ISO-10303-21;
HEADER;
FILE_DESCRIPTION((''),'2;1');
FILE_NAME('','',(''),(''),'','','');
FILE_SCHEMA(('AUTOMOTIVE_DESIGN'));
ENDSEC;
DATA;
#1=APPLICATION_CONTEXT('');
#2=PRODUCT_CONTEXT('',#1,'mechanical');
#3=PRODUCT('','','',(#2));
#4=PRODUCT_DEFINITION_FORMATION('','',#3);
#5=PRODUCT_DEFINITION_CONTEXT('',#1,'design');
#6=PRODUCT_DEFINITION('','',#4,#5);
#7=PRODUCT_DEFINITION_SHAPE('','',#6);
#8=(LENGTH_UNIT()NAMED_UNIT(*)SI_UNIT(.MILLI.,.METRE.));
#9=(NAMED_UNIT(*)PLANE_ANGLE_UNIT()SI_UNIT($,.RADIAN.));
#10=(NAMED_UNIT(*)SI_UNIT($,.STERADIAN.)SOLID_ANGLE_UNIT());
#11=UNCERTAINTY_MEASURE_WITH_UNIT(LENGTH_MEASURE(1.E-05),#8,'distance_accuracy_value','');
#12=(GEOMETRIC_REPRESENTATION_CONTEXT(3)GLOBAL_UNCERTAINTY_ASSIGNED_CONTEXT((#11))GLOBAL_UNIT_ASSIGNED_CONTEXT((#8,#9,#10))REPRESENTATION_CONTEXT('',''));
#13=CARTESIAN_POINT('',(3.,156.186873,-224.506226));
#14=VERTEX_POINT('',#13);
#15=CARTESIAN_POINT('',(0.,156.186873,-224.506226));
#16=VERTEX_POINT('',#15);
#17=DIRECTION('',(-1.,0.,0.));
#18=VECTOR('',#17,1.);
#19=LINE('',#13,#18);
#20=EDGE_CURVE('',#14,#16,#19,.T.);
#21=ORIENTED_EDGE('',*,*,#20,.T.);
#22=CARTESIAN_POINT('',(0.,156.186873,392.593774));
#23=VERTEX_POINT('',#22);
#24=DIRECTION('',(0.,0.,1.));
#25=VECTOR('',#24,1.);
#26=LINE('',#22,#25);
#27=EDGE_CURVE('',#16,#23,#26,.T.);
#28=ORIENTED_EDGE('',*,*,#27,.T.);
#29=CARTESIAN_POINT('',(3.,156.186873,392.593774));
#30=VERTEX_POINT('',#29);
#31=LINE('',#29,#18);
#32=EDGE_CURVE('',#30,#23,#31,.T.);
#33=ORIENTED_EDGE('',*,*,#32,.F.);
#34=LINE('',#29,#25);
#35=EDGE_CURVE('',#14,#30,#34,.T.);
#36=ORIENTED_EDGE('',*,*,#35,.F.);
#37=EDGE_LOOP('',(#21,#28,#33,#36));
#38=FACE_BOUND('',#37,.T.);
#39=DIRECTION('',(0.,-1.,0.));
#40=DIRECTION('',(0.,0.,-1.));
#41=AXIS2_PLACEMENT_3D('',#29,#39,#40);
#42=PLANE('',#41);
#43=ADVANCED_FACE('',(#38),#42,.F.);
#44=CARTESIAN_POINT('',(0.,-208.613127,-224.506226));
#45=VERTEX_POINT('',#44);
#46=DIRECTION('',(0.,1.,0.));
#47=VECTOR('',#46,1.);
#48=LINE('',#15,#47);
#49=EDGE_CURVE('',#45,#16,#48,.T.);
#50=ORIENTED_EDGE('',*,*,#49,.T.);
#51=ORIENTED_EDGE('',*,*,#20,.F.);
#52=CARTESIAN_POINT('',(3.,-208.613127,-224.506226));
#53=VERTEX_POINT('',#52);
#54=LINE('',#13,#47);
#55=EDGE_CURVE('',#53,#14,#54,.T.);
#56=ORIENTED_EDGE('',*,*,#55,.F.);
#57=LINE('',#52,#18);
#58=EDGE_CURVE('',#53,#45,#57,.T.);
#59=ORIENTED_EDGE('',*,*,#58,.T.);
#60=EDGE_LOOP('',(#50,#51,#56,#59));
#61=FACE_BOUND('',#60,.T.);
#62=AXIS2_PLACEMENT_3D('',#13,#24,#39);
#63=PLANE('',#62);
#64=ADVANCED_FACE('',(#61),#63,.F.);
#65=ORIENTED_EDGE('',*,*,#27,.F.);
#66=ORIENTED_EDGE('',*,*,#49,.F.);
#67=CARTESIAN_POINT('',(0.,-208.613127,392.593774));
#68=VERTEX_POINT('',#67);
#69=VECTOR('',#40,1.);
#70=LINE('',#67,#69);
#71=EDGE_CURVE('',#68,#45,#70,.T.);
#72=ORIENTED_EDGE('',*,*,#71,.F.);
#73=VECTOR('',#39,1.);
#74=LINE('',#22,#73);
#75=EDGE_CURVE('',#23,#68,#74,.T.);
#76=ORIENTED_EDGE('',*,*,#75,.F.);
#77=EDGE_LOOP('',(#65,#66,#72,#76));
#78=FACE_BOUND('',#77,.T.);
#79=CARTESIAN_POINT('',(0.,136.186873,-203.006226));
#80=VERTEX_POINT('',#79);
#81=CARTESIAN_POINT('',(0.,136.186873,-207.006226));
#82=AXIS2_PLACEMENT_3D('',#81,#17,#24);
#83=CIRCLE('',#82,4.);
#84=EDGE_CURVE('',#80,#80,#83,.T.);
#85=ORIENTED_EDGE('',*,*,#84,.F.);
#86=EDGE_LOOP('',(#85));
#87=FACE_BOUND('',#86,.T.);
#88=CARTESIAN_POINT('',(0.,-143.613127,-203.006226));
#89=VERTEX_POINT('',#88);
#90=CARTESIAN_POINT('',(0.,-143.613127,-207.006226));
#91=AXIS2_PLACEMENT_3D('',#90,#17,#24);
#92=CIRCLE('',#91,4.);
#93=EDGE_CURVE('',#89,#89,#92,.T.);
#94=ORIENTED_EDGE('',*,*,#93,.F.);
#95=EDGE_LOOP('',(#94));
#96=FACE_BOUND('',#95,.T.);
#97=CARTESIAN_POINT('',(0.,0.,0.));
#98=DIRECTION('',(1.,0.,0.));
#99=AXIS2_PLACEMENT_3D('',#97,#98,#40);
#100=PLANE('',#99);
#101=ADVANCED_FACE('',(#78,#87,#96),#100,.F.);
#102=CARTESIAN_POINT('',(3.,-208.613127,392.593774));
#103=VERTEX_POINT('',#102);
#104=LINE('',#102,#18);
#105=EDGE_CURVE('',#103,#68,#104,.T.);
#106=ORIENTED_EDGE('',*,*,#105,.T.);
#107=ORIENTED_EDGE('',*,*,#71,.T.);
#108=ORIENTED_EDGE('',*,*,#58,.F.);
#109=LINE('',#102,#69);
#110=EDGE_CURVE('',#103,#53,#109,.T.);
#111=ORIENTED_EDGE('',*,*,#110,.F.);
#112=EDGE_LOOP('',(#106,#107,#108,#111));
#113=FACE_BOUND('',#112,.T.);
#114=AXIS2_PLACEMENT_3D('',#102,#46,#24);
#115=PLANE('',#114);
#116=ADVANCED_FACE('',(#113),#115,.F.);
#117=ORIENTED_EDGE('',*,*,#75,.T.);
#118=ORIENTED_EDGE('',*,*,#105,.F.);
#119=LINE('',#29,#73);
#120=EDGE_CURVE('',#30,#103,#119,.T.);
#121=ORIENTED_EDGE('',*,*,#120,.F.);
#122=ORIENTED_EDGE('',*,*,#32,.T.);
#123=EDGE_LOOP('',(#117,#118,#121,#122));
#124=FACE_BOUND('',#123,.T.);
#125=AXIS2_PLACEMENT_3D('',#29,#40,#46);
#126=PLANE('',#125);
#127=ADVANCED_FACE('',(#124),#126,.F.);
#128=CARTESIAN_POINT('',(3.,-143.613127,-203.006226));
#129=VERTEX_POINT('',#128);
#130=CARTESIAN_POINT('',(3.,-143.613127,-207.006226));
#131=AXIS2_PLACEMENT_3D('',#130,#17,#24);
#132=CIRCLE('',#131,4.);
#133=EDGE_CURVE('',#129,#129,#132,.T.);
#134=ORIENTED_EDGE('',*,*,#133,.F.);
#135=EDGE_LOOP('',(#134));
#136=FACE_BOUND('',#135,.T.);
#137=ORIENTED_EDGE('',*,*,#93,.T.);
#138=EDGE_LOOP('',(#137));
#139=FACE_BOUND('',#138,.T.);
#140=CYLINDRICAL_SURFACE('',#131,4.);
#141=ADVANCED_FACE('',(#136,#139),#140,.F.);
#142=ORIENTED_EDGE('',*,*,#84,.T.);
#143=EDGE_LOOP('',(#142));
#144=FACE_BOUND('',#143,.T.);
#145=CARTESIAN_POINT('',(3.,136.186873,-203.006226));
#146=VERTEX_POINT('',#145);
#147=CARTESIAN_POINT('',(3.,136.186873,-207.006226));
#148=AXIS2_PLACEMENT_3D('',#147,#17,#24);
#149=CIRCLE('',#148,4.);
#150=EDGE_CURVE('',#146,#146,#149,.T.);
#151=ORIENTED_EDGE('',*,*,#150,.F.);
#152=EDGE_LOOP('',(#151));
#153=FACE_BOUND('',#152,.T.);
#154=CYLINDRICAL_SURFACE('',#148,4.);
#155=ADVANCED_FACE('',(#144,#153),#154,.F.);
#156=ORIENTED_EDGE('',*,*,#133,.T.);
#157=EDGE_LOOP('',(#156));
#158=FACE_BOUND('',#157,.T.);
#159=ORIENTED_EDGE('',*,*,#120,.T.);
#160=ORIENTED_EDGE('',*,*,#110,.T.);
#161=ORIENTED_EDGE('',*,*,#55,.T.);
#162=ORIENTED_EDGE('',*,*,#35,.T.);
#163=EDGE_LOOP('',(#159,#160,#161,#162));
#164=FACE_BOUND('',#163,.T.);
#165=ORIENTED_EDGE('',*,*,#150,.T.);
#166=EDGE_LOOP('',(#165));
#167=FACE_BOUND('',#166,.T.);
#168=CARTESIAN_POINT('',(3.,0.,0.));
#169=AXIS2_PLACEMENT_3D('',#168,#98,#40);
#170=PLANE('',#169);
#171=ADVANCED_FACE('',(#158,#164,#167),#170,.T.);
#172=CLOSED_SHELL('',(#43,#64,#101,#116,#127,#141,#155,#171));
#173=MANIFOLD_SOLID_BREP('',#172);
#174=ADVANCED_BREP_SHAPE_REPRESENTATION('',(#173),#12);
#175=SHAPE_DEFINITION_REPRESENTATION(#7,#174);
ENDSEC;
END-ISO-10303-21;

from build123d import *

# Parameters (mm, degrees)
SKETCH1_W           = 617.1
SKETCH1_H           = 364.8
BOSS_EXTRUDE1_DEPTH = 3
SKETCH2_R           = 4
CUT_EXTRUDE1_DEPTH  = 445.587795398


with BuildPart() as part:
    # Sketch1 → Boss-Extrude1 (new body)
    with BuildSketch(Plane(origin=(0, 0, 0), x_dir=(0, 0, -1), z_dir=(1, 0, 0))):
        with Locations((-84.043773624, -26.213126933)):
            Rectangle(SKETCH1_W, SKETCH1_H)
    extrude(amount=BOSS_EXTRUDE1_DEPTH)

    # Sketch2 → Cut-Extrude1 (cut, through all)
    with BuildSketch(Plane.ZY):
        with Locations((-207.006226376, -143.613126933)):
            Circle(SKETCH2_R)
        with Locations((-207.006226376, 136.186873067)):
            Circle(SKETCH2_R)
    extrude(amount=-CUT_EXTRUDE1_DEPTH, mode=Mode.SUBTRACT)


solid = part.part
